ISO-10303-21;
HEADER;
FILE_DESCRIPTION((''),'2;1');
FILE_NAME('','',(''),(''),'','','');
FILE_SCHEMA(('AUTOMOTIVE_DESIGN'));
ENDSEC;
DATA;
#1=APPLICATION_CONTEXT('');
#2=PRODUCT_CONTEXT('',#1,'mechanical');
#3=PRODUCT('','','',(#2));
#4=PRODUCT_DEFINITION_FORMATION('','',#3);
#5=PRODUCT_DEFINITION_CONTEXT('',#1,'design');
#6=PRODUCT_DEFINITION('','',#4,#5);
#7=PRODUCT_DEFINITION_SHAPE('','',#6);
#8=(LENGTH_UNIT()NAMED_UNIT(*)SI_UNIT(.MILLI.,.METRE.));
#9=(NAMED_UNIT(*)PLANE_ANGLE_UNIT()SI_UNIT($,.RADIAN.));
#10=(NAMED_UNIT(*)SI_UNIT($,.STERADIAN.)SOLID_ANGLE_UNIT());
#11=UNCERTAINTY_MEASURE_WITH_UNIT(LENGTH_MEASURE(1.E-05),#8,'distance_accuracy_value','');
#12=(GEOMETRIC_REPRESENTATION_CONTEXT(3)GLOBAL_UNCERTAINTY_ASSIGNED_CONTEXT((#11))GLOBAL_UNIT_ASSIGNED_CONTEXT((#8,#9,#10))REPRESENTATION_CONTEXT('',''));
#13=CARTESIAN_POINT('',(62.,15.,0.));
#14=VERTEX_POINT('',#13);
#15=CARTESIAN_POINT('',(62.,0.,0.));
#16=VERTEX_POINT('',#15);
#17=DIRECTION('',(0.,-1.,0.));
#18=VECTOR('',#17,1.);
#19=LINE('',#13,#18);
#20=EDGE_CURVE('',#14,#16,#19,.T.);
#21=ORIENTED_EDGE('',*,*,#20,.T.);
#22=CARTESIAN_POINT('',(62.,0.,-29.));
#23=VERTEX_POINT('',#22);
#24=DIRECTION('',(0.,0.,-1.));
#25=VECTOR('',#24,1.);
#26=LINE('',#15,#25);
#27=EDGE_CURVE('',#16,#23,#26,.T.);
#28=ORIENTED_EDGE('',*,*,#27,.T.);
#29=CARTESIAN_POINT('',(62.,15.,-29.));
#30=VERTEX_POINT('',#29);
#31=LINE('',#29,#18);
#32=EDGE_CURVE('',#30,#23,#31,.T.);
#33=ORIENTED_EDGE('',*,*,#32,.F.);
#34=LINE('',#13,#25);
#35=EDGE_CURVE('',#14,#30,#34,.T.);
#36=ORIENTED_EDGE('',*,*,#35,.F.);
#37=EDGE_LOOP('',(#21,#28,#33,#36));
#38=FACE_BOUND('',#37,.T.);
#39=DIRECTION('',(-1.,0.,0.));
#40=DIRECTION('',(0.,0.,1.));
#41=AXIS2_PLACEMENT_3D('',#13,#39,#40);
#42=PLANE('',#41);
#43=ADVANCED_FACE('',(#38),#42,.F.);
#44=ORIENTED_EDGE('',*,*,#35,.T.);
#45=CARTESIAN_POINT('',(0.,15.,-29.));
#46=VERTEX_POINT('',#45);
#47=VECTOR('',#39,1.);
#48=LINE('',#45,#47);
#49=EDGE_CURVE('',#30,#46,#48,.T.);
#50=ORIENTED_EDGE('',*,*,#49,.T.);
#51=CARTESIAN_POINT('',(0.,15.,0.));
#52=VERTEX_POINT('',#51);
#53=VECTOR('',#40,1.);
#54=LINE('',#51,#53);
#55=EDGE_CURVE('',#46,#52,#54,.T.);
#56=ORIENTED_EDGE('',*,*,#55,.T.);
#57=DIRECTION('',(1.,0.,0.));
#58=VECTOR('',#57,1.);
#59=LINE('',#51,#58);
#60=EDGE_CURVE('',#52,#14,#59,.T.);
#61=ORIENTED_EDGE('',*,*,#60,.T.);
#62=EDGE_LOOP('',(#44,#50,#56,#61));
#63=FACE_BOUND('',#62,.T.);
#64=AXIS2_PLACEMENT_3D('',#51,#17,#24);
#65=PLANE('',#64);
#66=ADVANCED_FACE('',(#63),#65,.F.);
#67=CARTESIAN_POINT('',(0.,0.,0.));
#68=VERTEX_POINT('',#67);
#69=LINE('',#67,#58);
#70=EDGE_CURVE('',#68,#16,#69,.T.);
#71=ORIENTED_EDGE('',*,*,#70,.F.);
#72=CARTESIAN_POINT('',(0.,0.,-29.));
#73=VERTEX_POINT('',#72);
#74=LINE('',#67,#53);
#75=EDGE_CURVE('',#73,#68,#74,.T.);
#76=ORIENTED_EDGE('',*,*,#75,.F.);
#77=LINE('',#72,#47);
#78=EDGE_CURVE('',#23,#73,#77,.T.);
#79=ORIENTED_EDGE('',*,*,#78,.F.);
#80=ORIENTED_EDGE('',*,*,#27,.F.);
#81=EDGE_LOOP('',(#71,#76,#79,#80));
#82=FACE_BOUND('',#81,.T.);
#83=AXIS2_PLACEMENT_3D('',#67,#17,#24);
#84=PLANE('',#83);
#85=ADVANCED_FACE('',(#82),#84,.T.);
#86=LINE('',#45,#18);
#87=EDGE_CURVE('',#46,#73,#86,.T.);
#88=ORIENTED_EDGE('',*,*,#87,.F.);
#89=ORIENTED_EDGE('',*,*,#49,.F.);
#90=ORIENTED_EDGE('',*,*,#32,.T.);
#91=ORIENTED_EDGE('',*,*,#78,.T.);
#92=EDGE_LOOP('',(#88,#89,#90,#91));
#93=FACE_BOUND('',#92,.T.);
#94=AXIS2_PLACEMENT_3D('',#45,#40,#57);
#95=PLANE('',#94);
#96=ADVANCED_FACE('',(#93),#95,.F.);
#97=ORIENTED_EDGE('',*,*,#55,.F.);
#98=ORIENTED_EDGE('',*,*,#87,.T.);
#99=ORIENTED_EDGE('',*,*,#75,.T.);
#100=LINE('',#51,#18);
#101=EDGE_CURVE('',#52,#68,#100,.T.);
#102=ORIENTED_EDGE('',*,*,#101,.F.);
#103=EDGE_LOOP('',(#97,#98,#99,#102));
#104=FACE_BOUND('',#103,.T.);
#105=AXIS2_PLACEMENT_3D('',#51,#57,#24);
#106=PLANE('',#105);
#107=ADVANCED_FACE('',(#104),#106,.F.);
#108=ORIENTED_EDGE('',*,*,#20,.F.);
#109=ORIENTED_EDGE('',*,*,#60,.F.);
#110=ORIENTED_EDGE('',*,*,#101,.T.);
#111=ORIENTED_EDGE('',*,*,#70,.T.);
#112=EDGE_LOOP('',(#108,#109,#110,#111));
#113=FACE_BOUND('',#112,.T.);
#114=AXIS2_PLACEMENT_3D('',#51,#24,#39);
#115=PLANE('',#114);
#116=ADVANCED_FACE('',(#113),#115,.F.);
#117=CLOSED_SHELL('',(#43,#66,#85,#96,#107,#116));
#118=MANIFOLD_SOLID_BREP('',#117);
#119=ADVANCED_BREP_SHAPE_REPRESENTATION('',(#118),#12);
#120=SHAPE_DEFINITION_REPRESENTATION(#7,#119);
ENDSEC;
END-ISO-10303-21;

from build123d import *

# Parameters (mm, degrees)
SKETCH_1_W      = 62
SKETCH_1_H      = 29
EXTRUDE_1_DEPTH = 15


with BuildPart() as part:
    # 草图1 → 凸台-拉伸1 (new body)
    with BuildSketch(Plane(origin=(0, 0, 0), x_dir=(1, 0, 0), z_dir=(0, 1, 0))):
        with Locations((31, 14.5)):
            Rectangle(SKETCH_1_W, SKETCH_1_H)
    extrude(amount=EXTRUDE_1_DEPTH)


solid = part.part
